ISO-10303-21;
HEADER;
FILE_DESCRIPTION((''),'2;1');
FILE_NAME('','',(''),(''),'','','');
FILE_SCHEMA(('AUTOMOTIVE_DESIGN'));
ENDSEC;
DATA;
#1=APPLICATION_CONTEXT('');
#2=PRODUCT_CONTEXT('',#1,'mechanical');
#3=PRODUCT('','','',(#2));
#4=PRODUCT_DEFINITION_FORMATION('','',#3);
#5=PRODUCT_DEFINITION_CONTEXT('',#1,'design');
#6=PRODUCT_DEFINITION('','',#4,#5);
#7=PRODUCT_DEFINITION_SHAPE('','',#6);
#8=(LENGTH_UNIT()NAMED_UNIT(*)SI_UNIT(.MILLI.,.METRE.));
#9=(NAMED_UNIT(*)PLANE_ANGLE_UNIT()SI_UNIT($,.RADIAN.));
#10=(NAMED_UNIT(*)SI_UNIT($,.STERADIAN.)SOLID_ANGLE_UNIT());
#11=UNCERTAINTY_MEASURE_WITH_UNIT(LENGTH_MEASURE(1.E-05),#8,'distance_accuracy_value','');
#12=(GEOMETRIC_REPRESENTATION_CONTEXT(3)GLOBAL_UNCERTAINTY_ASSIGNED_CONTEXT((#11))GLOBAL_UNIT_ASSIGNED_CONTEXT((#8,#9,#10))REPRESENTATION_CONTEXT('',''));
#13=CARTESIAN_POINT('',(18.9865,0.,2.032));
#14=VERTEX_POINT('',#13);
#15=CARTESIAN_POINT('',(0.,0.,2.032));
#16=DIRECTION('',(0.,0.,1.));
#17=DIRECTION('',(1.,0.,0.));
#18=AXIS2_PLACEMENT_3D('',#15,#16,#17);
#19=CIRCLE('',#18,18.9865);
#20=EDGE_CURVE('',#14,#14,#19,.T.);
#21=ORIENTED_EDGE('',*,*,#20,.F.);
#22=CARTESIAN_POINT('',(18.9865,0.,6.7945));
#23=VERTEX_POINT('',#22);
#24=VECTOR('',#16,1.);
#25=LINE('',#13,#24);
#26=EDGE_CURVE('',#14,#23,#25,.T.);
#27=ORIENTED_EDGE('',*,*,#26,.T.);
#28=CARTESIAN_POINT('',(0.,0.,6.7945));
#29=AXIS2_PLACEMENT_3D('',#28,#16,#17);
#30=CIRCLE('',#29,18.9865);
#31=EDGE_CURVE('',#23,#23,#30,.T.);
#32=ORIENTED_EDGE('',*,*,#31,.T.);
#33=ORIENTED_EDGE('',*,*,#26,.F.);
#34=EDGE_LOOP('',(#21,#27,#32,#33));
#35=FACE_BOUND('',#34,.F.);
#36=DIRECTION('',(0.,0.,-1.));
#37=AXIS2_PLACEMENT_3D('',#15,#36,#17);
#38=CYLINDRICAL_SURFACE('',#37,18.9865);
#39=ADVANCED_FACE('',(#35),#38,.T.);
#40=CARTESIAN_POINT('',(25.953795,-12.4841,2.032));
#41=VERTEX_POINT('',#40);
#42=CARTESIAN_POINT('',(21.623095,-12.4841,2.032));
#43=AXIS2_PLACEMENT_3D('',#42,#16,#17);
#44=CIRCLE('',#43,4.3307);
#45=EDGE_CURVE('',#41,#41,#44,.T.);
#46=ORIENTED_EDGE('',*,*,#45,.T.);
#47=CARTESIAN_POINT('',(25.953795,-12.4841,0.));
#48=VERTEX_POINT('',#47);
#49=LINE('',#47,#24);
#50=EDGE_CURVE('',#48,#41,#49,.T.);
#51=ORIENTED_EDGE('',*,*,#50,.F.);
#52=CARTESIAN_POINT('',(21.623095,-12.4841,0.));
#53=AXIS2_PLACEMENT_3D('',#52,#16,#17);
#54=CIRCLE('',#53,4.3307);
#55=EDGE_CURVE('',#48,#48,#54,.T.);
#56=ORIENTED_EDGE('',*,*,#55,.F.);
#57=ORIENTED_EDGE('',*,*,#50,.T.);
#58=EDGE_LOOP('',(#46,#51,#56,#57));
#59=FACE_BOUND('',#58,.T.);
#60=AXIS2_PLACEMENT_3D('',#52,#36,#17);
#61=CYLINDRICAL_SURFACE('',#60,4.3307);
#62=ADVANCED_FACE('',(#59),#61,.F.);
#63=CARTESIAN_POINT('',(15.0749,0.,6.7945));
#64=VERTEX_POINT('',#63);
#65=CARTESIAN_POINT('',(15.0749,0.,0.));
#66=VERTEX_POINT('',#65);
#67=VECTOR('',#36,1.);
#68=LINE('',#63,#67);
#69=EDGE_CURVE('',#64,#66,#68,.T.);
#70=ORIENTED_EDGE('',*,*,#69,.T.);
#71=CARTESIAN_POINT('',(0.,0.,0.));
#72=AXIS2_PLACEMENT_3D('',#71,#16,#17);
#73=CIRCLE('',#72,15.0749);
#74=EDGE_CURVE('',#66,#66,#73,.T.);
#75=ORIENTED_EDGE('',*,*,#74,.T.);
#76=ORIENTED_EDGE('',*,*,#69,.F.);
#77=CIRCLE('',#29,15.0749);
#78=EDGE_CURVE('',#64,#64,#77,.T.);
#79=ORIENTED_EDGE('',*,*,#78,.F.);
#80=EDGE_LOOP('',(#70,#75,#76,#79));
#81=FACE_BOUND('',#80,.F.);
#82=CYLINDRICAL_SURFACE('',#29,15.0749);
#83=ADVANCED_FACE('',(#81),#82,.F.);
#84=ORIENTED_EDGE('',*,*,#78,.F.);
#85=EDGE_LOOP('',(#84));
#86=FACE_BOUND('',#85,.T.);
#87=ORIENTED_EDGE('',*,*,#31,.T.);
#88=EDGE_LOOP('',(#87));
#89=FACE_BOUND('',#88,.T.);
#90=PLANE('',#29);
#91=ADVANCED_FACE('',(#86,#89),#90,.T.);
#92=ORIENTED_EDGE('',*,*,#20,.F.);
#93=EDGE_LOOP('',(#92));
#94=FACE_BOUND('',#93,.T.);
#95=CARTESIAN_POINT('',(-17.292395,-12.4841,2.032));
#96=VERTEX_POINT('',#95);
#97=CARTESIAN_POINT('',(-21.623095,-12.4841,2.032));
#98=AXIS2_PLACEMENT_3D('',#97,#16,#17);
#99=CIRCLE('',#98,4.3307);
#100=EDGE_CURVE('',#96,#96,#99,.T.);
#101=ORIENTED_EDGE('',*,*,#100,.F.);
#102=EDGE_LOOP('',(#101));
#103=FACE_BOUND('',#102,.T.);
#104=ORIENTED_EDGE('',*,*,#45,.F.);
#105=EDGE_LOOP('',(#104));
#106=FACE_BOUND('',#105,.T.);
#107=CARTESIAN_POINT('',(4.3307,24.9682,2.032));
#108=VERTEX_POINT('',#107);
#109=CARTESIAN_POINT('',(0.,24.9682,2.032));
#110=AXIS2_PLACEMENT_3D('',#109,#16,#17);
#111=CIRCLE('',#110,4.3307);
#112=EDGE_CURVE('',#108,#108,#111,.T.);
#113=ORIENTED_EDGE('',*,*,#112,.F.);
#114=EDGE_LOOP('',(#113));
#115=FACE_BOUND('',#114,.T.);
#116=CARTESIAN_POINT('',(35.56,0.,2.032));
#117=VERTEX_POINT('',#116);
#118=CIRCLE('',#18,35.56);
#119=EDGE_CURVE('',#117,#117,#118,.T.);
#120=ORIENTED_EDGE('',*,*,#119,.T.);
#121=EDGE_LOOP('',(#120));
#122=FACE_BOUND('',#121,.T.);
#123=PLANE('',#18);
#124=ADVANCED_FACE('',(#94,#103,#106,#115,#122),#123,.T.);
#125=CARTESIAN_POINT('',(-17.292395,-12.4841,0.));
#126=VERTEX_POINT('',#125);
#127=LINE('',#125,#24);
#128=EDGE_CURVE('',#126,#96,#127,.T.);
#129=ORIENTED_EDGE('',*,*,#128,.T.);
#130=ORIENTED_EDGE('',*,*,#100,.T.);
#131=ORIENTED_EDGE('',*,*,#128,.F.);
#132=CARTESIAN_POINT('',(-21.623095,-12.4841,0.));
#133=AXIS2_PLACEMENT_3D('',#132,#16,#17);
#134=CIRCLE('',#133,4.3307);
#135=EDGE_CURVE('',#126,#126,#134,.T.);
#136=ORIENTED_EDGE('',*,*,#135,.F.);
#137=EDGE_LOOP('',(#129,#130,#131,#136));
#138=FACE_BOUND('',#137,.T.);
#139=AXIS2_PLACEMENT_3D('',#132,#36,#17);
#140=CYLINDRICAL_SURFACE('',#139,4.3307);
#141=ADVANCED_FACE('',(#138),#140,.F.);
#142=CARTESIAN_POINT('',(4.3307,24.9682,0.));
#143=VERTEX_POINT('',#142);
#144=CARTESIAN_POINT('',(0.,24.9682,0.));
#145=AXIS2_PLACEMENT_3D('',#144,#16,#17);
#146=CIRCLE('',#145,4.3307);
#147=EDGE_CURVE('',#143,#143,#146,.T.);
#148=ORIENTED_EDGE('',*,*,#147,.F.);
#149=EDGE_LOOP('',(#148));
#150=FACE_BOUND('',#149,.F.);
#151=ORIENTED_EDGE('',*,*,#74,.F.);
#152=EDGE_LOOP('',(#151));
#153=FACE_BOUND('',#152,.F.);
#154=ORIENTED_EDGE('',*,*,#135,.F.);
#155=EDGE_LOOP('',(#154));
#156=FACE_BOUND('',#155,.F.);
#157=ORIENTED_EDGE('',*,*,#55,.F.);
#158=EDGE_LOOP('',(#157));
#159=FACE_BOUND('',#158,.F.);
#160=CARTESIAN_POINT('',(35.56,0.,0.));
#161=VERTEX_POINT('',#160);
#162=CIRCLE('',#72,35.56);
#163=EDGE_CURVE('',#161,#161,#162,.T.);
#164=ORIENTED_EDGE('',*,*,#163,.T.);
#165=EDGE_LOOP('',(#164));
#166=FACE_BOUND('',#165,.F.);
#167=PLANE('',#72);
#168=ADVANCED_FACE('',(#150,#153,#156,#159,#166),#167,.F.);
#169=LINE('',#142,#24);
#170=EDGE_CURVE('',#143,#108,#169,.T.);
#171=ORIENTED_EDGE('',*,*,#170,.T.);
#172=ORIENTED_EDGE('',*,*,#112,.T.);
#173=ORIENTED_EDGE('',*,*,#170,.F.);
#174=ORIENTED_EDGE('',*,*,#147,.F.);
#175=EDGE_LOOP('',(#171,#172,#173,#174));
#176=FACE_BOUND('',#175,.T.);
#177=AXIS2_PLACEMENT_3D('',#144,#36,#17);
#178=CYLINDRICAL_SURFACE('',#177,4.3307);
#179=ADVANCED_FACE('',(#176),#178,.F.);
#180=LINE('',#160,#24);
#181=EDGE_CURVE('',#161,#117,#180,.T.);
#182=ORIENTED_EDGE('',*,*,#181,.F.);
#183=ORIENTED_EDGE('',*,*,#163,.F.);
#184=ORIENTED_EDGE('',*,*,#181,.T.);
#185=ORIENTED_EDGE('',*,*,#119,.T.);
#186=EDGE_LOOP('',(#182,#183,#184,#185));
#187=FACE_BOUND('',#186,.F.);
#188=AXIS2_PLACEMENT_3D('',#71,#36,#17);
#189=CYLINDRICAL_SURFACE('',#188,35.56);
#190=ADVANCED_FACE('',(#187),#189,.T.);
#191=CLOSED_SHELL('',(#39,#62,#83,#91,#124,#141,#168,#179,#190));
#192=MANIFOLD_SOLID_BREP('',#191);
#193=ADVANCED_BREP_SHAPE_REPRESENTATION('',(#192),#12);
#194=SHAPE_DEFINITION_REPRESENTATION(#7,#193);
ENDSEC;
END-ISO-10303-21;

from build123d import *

# Parameters (mm, degrees)
F0_R     = 35.56
F0_R_2   = 4.3307
F1_DEPTH = 2.032
F2_R     = 18.9865
F3_DEPTH = 4.7625
F4_R     = 15.0749
F5_DEPTH = 6.7945


with BuildPart() as f1:
    # F0 (on Top) → F1 (new body)
    with BuildSketch(Plane.XY):
        Circle(F0_R)
        with Locations((-21.623095, -12.4841)):
            Circle(F0_R_2, mode=Mode.SUBTRACT)
        with Locations((21.623095, -12.4841)):
            Circle(F0_R_2, mode=Mode.SUBTRACT)
        with Locations((0, 24.9682)):
            Circle(F0_R_2, mode=Mode.SUBTRACT)
    extrude(amount=F1_DEPTH)

    # F2 (on face) → F3 (join)
    with BuildSketch(Plane.XY.offset(2.032)):
        Circle(F2_R)
    extrude(amount=F3_DEPTH)

    # F4 (on face) → F5 (cut, through all)
    with BuildSketch(Plane.XY.offset(6.7945)):
        Circle(F4_R)
    extrude(amount=-F5_DEPTH, mode=Mode.SUBTRACT)


solid = f1.part
